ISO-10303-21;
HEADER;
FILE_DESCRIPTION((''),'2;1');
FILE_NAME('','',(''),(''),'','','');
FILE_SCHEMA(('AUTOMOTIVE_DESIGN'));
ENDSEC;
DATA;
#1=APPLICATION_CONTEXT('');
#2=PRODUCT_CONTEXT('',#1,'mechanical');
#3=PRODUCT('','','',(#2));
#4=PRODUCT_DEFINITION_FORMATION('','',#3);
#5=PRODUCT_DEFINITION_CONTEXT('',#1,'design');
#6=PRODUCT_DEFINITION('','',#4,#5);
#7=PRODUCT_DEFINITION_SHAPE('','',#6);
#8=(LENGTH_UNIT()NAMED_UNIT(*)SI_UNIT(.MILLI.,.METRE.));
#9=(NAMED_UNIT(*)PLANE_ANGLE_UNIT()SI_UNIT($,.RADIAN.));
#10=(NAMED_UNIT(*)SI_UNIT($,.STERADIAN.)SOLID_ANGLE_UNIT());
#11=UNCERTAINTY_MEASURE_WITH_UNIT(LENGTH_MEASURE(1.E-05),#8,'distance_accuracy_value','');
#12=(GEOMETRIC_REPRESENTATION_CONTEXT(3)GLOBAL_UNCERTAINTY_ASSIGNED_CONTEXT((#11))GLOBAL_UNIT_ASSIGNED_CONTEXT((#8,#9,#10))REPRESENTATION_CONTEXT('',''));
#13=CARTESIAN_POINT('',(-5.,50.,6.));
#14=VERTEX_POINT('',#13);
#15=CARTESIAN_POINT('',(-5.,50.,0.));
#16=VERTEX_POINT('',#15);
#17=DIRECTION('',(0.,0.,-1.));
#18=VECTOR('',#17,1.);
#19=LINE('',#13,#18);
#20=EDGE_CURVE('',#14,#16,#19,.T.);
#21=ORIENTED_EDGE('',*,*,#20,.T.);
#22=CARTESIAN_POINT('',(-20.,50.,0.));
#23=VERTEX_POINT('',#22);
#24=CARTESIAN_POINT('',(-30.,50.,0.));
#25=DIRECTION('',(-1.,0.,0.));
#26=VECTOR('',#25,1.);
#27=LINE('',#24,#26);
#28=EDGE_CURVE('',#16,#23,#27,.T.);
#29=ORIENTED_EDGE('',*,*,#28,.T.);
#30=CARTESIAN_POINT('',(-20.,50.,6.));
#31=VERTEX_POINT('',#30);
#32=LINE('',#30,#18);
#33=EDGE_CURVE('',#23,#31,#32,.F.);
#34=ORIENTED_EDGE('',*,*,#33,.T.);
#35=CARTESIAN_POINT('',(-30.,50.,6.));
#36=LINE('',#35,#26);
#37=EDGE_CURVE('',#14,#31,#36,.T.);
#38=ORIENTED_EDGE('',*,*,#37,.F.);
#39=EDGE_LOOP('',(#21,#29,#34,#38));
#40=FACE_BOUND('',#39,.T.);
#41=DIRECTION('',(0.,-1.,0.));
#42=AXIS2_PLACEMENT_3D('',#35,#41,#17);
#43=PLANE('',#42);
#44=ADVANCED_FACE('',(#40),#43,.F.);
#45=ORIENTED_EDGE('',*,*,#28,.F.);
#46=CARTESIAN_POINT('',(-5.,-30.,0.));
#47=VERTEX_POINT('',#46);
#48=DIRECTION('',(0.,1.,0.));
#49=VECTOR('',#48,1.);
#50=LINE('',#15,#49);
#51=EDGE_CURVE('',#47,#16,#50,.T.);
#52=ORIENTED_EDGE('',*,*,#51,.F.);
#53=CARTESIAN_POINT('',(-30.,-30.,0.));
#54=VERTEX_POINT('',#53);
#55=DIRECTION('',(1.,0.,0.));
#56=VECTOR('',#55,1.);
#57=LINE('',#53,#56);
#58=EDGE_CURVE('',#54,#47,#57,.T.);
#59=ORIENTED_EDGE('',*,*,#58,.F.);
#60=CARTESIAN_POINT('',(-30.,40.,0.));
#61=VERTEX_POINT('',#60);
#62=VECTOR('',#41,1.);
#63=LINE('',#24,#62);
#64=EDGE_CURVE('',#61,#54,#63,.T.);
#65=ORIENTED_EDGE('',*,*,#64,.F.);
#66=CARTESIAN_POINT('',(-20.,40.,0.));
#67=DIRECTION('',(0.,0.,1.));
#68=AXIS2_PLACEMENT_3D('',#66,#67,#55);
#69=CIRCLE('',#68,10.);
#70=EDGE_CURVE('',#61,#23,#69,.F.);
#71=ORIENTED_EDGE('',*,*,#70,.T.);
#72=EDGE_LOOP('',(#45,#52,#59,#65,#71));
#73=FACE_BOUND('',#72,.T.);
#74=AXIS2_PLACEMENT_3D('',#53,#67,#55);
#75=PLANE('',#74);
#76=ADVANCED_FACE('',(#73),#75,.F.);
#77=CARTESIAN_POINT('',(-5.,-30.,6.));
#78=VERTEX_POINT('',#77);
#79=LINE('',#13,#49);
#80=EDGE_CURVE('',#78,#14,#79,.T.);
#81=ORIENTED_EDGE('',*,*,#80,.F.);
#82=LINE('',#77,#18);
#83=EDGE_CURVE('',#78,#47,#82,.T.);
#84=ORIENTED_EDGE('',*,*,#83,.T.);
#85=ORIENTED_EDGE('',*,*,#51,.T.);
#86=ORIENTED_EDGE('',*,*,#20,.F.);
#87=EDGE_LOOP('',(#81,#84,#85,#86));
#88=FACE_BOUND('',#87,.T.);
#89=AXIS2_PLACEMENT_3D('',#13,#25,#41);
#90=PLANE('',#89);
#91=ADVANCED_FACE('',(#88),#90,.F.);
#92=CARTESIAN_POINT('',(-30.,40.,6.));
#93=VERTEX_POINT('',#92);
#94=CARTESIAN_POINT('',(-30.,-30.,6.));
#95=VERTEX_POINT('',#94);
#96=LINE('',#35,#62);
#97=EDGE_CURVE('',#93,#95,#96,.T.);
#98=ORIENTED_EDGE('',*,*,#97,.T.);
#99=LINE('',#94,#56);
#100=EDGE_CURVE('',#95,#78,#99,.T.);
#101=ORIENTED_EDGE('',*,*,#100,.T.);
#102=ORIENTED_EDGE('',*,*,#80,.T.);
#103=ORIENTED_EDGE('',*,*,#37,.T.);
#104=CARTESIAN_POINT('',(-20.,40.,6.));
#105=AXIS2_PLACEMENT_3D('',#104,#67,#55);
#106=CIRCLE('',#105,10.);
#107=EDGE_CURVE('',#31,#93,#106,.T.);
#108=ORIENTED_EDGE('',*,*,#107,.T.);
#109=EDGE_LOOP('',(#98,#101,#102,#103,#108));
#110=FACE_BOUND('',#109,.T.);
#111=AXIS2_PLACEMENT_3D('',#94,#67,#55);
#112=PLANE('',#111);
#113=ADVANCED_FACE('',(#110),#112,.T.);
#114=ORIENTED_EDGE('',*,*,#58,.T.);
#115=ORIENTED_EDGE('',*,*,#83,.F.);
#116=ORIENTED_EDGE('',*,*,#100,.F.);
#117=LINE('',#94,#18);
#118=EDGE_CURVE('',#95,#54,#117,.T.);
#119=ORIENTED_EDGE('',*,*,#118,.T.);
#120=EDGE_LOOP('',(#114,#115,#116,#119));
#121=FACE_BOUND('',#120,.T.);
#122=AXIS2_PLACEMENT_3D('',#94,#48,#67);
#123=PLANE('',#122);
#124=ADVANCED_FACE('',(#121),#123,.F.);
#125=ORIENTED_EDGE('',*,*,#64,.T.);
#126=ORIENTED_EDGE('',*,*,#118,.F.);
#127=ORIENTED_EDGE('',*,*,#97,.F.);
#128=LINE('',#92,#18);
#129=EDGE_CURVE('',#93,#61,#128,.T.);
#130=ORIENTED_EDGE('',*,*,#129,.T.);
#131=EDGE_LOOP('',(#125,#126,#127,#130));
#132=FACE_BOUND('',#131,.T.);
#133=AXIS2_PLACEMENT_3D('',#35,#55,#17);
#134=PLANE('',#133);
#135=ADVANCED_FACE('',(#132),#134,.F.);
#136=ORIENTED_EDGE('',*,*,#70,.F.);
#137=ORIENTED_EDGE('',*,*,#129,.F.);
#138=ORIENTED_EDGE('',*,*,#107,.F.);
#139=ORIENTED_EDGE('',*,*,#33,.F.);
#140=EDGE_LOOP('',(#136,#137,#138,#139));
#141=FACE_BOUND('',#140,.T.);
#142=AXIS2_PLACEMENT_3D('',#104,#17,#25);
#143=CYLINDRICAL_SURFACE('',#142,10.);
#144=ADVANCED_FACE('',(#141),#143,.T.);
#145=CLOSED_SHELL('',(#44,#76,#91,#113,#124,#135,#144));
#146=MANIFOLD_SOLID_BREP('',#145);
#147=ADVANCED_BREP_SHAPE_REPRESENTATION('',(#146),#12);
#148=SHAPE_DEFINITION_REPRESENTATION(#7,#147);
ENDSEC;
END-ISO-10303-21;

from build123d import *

# Parameters (mm, degrees)
ESQUISSE1_W      = 25
ESQUISSE1_H      = 80
EXTRUSION1_DEPTH = 6
CONG_1_R         = 10


with BuildPart() as part:
    # Esquisse1 → Extrusion1 (new body)
    with BuildSketch(Plane.XY):
        with Locations((-17.5, 10)):
            Rectangle(ESQUISSE1_W, ESQUISSE1_H)
    extrude(amount=EXTRUSION1_DEPTH)

    # Congé1
    cong_1_edges = [part.edges().sort_by_distance(p)[0] for p in [
        (-30, 50, 3),
    ]]
    fillet(cong_1_edges, radius=CONG_1_R)


solid = part.part
